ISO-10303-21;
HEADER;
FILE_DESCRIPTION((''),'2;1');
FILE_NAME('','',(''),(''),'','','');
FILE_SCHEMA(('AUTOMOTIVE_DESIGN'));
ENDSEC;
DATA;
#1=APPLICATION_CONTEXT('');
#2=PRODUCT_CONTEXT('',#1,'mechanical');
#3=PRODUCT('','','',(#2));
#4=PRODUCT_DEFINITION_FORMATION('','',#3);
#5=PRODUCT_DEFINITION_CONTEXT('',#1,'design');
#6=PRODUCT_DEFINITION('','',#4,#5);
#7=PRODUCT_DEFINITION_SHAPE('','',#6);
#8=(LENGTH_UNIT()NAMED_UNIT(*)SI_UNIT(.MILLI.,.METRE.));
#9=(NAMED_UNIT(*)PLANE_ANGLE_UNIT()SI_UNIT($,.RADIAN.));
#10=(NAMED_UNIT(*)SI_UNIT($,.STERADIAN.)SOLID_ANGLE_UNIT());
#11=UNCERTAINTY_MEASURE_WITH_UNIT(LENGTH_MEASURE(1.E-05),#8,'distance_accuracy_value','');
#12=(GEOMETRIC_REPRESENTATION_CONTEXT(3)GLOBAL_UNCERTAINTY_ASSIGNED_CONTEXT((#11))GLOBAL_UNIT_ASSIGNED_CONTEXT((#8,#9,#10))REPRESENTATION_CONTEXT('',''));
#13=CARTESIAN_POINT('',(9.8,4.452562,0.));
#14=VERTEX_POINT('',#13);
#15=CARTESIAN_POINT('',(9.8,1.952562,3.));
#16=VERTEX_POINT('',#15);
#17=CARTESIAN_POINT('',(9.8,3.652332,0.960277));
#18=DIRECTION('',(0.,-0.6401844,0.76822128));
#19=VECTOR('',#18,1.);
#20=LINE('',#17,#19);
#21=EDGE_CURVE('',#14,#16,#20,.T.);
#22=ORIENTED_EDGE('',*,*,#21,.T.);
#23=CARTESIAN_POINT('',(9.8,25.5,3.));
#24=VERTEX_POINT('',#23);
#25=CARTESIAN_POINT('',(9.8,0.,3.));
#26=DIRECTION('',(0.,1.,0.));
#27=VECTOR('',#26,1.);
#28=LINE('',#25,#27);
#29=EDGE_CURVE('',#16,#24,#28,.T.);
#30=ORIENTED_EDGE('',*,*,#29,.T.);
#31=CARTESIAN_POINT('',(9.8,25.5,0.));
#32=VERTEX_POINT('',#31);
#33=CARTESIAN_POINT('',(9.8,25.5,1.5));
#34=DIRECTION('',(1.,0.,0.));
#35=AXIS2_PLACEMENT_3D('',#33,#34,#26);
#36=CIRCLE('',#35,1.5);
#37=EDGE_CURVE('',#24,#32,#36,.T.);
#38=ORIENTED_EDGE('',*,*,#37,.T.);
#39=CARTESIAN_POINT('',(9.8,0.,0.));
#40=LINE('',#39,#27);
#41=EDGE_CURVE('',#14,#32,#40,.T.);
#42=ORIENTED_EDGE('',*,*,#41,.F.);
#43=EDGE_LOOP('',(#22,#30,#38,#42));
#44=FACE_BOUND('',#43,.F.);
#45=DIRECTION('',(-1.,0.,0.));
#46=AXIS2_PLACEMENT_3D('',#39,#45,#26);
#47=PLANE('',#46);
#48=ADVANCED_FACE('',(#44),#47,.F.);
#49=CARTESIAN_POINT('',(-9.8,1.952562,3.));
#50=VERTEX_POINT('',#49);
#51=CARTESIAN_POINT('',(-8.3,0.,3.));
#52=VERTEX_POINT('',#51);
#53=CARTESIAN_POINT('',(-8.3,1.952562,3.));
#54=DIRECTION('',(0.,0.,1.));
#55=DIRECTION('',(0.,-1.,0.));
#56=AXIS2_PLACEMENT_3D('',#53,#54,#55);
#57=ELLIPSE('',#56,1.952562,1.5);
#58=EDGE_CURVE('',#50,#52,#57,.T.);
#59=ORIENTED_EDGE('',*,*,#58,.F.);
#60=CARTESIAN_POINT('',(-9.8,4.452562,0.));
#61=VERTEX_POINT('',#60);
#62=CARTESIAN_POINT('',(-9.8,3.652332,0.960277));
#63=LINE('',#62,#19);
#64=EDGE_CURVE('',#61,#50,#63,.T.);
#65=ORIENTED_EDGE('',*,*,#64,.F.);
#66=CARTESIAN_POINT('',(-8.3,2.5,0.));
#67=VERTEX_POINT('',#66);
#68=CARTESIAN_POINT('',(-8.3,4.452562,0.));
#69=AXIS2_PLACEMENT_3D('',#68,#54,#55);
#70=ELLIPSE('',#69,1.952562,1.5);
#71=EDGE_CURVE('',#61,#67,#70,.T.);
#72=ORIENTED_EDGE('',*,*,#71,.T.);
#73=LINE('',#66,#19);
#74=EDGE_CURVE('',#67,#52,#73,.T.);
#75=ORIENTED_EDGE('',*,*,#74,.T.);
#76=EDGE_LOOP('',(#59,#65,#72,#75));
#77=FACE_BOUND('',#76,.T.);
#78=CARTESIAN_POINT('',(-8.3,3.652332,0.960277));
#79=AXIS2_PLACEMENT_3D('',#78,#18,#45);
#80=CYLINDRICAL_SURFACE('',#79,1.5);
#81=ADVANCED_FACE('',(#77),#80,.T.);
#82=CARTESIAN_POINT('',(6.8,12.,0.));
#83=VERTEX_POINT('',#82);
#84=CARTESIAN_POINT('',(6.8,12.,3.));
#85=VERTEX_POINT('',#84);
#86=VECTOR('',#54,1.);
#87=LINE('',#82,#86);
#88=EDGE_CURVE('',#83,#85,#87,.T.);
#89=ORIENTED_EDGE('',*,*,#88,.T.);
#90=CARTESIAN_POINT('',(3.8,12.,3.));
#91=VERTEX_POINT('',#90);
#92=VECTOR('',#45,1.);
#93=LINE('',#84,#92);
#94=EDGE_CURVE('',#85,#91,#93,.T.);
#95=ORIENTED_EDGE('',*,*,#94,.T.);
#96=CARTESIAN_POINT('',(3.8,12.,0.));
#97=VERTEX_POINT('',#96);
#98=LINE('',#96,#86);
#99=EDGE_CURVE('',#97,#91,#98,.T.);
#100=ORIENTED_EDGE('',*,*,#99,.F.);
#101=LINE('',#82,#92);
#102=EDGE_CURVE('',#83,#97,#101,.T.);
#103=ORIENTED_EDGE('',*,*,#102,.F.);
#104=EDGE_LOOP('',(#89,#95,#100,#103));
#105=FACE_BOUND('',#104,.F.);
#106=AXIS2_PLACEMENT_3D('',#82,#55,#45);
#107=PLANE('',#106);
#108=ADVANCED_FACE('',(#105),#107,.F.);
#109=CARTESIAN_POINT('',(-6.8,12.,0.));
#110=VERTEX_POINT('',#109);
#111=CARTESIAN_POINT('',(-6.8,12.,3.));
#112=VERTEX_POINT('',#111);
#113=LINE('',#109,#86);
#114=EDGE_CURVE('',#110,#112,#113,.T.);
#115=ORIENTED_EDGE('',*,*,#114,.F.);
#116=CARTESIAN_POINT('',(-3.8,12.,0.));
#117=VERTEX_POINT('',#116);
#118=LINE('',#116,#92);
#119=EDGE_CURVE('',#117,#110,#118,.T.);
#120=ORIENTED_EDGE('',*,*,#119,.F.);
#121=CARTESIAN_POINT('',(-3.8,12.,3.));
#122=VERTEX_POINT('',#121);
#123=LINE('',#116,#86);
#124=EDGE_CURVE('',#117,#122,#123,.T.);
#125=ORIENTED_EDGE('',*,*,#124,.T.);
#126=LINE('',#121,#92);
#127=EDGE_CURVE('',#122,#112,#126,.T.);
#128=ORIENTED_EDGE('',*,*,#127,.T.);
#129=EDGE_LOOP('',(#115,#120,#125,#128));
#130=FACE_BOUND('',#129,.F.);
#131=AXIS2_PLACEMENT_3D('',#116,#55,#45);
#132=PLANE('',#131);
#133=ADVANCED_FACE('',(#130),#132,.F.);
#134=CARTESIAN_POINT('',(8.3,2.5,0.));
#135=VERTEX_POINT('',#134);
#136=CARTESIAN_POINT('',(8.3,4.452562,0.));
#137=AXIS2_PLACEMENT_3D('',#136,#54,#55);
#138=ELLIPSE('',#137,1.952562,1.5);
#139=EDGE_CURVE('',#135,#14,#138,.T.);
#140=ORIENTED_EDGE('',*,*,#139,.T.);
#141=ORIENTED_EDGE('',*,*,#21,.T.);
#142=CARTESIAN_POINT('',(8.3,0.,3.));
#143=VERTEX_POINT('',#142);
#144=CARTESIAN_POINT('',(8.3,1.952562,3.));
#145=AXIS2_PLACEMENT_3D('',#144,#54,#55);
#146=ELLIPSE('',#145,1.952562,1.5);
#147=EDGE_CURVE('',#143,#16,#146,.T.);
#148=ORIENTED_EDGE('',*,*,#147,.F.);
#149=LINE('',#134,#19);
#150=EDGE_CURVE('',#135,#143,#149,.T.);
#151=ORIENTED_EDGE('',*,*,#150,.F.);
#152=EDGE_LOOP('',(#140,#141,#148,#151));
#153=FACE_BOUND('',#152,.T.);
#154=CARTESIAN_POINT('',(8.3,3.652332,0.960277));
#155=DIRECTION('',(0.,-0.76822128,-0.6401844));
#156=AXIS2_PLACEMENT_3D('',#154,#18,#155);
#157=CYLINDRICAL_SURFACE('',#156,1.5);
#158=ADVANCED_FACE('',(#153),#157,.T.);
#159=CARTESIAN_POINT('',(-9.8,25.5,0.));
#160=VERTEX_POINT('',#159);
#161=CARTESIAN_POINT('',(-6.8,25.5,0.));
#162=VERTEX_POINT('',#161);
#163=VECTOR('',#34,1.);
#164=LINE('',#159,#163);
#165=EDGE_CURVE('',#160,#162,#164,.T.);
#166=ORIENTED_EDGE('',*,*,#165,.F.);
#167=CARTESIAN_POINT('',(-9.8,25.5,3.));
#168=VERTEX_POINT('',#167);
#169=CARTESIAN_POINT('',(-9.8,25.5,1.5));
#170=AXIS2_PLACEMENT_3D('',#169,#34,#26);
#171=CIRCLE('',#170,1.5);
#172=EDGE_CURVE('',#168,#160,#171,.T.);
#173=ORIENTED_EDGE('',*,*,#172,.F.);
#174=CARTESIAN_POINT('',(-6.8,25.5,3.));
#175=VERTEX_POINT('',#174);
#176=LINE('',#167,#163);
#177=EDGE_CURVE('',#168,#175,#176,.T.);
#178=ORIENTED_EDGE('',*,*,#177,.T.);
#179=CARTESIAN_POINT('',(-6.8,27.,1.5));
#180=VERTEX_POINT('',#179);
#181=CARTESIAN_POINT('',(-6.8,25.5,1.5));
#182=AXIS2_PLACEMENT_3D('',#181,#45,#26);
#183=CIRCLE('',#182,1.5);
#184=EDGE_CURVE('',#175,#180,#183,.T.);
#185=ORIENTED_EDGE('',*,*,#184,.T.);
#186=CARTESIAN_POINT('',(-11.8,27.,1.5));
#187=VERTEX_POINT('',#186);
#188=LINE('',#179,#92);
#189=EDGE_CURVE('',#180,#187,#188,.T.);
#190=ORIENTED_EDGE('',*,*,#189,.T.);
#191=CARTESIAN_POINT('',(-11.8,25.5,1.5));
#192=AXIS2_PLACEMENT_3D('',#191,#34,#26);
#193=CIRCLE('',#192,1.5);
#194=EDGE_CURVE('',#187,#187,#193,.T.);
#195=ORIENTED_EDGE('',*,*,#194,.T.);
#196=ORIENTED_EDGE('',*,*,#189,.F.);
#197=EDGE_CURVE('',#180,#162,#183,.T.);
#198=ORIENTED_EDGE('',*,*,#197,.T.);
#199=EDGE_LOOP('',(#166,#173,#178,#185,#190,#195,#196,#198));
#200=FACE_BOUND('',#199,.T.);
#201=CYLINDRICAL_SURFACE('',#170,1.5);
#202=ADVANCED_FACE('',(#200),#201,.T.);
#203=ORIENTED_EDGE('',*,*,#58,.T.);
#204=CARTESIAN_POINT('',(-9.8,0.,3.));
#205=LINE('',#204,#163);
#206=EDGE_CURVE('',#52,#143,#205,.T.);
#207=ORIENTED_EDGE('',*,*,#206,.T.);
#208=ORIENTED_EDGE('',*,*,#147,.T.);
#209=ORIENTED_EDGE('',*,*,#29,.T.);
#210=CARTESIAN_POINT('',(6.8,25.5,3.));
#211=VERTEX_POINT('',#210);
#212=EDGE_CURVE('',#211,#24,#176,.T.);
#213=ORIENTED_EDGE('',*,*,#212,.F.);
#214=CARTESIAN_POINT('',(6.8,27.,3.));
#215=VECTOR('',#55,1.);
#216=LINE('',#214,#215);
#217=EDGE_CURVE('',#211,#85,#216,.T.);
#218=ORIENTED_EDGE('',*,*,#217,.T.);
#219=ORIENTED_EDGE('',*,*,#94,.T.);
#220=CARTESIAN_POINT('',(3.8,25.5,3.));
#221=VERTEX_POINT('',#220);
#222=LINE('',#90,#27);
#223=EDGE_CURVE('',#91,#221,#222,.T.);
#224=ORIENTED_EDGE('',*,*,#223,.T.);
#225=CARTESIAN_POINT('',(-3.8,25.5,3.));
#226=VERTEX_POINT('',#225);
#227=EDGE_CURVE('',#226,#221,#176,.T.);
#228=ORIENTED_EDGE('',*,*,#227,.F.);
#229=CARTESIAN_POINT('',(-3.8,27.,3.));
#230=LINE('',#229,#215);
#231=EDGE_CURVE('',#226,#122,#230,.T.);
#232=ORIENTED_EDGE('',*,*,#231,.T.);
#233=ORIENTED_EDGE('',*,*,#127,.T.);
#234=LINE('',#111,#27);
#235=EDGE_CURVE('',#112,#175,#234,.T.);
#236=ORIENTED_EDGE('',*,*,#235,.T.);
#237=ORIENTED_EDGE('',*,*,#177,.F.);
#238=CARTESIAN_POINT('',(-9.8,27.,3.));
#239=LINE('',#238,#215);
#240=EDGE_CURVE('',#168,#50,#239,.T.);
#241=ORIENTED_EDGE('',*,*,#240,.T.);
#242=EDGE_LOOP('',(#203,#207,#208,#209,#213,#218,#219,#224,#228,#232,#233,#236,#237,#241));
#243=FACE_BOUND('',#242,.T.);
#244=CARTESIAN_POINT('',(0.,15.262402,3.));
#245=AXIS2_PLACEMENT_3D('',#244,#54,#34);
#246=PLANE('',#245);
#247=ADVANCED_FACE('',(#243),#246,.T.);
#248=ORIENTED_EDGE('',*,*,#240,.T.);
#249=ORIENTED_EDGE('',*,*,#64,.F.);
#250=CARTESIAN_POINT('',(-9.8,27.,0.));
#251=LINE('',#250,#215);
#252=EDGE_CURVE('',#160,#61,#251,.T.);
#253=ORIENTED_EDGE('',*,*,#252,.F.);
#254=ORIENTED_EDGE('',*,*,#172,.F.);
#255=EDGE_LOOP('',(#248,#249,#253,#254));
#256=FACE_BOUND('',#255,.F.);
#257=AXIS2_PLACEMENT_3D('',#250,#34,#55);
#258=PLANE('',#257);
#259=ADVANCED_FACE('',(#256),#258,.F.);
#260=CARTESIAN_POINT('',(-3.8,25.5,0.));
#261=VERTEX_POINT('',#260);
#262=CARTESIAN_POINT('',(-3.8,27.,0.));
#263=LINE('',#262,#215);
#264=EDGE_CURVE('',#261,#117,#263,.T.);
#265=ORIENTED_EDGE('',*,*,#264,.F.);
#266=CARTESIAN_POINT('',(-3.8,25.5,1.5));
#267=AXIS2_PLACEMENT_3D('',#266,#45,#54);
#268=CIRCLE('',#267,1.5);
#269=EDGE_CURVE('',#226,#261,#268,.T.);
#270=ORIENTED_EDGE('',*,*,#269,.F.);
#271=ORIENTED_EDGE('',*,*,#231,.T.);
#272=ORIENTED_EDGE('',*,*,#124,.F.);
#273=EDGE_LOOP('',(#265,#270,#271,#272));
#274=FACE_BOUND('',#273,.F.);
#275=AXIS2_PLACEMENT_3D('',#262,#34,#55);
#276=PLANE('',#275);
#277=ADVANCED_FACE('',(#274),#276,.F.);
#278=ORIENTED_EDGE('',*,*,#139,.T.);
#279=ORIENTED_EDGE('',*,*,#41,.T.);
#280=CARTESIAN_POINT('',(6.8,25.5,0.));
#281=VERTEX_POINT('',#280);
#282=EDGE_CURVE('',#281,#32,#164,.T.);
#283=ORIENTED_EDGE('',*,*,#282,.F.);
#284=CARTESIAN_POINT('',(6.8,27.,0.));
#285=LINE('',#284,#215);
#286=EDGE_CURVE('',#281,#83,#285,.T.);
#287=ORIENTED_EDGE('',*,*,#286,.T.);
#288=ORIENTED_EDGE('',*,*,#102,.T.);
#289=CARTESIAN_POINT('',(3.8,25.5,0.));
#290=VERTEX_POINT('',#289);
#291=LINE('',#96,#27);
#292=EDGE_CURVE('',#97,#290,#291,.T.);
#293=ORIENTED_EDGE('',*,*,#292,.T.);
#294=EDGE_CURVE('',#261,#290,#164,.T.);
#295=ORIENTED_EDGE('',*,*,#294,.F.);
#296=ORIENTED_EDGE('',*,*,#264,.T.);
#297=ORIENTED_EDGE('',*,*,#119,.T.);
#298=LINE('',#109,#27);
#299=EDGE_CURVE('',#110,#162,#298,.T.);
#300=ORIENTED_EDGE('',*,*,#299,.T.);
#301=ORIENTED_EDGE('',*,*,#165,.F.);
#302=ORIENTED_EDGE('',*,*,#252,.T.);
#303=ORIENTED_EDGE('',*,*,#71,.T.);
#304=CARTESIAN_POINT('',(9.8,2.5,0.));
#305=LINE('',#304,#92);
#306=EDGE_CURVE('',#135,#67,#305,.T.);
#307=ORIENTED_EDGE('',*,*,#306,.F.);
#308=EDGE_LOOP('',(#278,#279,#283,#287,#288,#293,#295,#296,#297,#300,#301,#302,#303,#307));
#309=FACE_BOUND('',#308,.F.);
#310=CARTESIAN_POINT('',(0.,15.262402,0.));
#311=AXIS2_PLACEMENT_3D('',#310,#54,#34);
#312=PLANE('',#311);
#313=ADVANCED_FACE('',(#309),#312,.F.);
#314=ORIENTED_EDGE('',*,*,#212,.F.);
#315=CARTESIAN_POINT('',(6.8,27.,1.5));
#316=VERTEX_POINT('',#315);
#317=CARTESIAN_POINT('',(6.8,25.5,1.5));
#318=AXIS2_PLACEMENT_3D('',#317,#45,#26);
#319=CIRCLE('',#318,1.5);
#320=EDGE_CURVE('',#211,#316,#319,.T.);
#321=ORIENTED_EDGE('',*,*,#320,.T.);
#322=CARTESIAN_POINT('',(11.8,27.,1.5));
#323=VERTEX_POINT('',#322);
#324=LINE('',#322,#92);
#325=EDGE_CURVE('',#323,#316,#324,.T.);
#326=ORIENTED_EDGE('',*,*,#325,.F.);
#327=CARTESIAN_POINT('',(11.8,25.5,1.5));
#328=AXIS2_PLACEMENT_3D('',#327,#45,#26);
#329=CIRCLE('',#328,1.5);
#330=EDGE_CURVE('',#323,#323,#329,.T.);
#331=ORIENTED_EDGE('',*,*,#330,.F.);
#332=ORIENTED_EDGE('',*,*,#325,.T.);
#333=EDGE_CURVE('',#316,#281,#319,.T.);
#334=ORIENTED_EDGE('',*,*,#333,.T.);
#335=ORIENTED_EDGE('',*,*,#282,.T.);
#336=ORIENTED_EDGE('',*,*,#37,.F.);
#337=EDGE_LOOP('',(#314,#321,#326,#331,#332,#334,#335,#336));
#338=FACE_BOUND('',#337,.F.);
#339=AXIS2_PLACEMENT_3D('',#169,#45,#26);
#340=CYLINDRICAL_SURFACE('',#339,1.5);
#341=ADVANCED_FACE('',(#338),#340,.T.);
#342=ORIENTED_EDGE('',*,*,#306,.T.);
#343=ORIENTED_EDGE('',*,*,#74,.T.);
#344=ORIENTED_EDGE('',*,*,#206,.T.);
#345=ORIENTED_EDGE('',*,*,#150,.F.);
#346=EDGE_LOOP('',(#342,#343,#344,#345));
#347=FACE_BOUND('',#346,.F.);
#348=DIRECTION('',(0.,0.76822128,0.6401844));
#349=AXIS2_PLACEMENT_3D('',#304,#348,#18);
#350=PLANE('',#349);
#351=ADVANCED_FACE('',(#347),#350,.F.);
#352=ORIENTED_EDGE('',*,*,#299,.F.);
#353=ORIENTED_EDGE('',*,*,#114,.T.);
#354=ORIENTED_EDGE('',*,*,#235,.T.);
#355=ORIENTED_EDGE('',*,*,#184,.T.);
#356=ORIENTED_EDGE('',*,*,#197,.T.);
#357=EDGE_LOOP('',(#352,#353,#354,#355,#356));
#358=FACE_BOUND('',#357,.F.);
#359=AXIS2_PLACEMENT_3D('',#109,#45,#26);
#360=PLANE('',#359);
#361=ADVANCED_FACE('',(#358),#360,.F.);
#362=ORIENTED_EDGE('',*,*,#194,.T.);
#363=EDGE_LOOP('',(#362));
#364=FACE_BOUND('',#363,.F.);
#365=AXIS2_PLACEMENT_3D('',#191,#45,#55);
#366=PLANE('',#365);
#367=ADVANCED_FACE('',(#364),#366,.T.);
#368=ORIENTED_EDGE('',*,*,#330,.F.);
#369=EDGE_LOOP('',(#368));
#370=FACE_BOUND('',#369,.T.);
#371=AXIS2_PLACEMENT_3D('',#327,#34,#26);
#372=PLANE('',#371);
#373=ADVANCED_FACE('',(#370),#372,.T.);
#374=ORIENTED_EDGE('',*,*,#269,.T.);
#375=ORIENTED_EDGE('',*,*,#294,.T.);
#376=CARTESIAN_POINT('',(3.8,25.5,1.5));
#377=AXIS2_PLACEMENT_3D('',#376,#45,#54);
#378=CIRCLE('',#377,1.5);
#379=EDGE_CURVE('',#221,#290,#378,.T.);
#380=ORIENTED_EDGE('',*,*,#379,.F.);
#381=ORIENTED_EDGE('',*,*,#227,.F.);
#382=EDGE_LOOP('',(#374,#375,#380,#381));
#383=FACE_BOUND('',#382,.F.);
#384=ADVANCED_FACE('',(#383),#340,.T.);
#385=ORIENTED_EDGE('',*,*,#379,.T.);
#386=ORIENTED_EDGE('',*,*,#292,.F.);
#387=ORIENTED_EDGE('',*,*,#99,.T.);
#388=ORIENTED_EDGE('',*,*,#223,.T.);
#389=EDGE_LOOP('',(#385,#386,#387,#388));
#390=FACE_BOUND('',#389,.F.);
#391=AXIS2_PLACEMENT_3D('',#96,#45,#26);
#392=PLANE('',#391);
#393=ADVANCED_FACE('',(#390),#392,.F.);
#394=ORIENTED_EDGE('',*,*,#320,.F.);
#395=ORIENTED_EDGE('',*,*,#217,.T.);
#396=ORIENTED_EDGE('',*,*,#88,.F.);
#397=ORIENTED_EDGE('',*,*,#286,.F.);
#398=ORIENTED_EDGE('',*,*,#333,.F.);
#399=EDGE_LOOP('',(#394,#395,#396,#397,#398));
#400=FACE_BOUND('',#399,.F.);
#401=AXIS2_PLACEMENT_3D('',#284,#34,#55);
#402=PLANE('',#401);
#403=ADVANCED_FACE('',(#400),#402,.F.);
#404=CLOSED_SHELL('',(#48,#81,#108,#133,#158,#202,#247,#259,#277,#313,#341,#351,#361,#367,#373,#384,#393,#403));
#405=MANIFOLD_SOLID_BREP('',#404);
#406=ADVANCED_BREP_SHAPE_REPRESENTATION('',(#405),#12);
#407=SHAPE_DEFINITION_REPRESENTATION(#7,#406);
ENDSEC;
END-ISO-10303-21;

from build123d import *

# Parameters (mm, degrees)
F1_DEPTH = 3
F2_R     = 1.5
F3_DEPTH = 2
F6_DEPTH = 25
F8_DEPTH = 25
F9_R     = 1.5


with BuildPart() as f1:
    # F0 (on Top) → F1 (new body)
    with BuildSketch(Plane.XY):
        Polygon((-9.8, 27), (-9.8, 0), (9.8, 0), (9.8, 27), (6.8, 27), (6.8, 12), (3.8, 12), (3.8, 27), (-3.8, 27), (-3.8, 12), (-6.8, 12), (-6.8, 27), align=None)
    extrude(amount=F1_DEPTH)

    # F2 (on face) → F3 (join)
    with BuildSketch(Plane.YZ.offset(9.8)):
        with Locations((25.5, 1.5)):
            Circle(F2_R)
    extrude(amount=F3_DEPTH)

    # F5: F1 across plane


with BuildPart() as f1_1:
    add(f1.part)
    add(f1.part.mirror(Plane(origin=(0, 12.8316278075, 1.5), x_dir=(0, 1, 0), z_dir=(1, 0, 0))))

    # F6 (cut): faces of the model
    f6_faces = [f1_1.faces().sort_by_distance(p)[0] for p in [
        (-9.8, 26.6649480916, 0.3350519084),
        (-9.8, 26.6649480916, 2.6649480916),
    ]]
    extrude(f6_faces, amount=-F6_DEPTH, mode=Mode.SUBTRACT)

    # F7 (on face) → F8 (cut)
    with BuildSketch(Plane.YZ.offset(9.8)):
        Polygon((0, 3), (0, 0), (2.5, 0), align=None)
    extrude(amount=-F8_DEPTH, mode=Mode.SUBTRACT)

    # F9
    f9_edges = [f1_1.edges().sort_by_distance(p)[0] for p in [
        (-9.8, 1.25, 1.5),
        (9.8, 1.25, 1.5),
    ]]
    fillet(f9_edges, radius=F9_R)


solid = f1_1.part
